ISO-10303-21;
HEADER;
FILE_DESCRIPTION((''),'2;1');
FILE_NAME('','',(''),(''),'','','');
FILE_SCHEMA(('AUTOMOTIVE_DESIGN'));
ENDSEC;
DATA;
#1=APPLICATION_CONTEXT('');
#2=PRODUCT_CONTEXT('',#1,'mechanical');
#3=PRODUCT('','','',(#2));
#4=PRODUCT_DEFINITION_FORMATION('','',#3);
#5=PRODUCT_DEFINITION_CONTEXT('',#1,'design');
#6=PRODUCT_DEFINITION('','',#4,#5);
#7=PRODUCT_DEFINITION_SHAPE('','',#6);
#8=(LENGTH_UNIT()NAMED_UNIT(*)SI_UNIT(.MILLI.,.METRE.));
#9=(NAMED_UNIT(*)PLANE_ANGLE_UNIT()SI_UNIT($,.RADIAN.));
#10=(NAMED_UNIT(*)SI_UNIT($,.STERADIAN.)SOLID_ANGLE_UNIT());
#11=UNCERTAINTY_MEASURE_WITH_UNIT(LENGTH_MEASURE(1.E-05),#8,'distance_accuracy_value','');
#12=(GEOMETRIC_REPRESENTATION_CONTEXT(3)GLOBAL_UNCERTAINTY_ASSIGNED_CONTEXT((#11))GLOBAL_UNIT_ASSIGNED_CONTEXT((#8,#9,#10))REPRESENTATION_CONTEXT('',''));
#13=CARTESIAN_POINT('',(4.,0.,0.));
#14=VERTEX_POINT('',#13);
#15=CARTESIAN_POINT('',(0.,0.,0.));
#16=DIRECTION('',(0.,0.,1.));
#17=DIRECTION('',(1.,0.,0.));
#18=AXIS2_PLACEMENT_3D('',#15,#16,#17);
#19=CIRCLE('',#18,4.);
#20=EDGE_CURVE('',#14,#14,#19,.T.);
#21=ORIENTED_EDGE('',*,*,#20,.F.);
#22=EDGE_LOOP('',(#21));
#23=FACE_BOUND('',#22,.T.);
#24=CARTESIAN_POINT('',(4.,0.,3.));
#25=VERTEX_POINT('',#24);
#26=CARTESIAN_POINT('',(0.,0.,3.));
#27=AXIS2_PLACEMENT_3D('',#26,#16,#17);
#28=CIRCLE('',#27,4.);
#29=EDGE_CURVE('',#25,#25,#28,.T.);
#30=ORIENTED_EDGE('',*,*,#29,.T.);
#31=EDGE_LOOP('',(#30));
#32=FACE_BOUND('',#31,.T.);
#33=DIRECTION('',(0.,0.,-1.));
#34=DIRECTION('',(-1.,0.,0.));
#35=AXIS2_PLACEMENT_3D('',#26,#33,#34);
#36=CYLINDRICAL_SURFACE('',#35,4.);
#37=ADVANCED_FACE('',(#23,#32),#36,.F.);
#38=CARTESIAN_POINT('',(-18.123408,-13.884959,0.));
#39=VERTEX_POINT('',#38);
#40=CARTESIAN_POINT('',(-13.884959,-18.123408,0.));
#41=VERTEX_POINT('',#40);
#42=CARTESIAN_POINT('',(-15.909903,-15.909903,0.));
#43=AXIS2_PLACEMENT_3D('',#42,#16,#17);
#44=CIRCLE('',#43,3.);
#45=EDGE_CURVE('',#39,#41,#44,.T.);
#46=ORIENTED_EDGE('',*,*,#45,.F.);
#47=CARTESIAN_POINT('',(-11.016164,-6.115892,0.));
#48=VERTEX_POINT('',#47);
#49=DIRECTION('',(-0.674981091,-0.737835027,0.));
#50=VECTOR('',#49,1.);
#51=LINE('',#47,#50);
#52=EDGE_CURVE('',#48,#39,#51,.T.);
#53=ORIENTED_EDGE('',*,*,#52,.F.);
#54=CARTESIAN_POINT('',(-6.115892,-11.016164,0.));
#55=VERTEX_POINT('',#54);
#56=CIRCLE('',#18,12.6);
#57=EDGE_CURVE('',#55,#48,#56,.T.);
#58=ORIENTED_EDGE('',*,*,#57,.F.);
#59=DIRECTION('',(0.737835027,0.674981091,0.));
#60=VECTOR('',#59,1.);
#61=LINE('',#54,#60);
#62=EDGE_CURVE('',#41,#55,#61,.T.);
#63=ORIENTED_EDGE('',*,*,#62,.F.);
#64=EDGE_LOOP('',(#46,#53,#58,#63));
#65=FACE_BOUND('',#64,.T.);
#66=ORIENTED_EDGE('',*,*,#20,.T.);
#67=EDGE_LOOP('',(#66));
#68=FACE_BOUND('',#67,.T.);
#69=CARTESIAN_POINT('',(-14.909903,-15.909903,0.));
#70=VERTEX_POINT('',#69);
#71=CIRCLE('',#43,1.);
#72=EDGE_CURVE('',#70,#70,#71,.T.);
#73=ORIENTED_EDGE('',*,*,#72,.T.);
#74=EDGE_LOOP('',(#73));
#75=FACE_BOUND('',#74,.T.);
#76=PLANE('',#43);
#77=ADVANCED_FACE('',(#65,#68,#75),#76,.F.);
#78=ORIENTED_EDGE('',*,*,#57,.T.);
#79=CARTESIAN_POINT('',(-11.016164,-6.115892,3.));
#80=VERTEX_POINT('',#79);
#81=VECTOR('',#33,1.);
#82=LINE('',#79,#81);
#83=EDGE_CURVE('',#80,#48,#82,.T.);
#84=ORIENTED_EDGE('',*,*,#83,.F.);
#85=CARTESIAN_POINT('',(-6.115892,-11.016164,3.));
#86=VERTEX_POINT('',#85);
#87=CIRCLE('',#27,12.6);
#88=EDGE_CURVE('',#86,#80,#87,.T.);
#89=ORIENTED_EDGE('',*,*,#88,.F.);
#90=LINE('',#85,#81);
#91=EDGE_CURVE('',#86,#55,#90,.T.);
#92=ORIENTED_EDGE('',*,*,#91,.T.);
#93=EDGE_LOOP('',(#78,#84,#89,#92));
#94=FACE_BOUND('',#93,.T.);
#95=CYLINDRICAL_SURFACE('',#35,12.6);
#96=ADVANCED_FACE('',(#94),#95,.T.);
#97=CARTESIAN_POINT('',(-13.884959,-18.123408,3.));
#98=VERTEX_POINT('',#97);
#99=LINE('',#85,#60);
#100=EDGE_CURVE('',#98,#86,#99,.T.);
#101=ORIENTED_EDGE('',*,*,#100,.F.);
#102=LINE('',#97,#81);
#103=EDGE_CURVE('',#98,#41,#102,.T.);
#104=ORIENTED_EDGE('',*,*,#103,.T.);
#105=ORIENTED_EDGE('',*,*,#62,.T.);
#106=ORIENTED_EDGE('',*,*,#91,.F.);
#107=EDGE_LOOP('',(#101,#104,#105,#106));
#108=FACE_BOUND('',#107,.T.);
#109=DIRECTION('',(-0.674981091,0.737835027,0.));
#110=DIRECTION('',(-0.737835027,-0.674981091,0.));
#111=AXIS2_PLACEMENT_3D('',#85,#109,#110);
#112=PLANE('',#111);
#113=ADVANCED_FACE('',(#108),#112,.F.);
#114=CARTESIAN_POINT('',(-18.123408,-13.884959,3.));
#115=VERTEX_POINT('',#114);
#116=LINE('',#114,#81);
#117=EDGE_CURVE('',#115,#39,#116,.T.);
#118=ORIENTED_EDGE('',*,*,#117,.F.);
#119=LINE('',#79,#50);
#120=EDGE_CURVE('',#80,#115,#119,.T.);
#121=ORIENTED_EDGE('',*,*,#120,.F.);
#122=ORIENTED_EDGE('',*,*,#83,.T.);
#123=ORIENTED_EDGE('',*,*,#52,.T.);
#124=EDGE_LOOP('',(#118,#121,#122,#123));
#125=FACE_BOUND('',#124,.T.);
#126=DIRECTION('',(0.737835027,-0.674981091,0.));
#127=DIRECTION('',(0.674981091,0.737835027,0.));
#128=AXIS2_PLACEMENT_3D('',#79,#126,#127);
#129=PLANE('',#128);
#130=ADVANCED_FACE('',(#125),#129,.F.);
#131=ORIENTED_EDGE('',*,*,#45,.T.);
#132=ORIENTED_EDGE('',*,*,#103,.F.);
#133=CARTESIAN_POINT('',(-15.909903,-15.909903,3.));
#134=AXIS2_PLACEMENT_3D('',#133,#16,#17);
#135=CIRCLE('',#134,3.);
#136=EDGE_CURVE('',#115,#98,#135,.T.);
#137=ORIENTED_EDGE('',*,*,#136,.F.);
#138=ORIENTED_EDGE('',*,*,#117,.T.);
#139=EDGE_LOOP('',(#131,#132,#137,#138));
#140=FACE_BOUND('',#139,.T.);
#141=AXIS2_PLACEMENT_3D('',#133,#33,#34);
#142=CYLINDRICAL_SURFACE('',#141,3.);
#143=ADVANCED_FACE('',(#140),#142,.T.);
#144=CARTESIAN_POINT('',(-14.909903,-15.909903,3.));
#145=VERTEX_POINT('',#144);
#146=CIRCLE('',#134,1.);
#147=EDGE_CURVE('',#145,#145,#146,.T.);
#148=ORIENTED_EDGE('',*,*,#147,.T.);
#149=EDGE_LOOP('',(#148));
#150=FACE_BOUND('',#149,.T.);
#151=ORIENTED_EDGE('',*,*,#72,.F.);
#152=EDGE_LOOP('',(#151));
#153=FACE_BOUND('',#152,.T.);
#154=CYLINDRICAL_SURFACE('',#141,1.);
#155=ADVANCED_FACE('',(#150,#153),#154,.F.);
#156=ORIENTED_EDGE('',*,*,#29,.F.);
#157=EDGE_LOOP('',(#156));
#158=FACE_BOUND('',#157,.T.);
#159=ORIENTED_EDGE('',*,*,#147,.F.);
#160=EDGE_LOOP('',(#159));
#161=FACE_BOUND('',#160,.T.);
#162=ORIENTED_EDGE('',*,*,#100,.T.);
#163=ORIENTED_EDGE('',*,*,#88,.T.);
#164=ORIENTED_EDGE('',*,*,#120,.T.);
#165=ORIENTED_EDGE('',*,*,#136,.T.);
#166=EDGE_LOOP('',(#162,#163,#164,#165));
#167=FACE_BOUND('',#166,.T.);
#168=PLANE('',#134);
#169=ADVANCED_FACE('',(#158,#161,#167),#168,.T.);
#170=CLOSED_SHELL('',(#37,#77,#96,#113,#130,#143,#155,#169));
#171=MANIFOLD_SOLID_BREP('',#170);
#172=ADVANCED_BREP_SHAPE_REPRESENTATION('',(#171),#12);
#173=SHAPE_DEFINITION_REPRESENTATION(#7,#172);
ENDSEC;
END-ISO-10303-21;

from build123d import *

# Parameters (mm, degrees)
SKETCH1_R           = 4
SKETCH1_R_2         = 1
BOSS_EXTRUDE1_DEPTH = 3


with BuildPart() as part:
    # Sketch1 → Boss-Extrude1 (new body)
    with BuildSketch(Plane.XY):
        with BuildLine():
            Line((-11.016163774, -6.115892061), (-18.123407658, -13.884959304))
            ThreePointArc((-18.123407658, -13.884959304), (-18.03122292, -18.03122292), (-13.884959304, -18.123407658))
            Line((-13.884959304, -18.123407658), (-6.115892061, -11.016163774))
            ThreePointArc((-6.115892061, -11.016163774), (8.909545443, 8.909545443), (-11.016163774, -6.115892061))
        make_face()
        Circle(SKETCH1_R, mode=Mode.SUBTRACT)
        with Locations((-15.909902577, -15.909902577)):
            Circle(SKETCH1_R_2, mode=Mode.SUBTRACT)
    extrude(amount=BOSS_EXTRUDE1_DEPTH)


solid = part.part
